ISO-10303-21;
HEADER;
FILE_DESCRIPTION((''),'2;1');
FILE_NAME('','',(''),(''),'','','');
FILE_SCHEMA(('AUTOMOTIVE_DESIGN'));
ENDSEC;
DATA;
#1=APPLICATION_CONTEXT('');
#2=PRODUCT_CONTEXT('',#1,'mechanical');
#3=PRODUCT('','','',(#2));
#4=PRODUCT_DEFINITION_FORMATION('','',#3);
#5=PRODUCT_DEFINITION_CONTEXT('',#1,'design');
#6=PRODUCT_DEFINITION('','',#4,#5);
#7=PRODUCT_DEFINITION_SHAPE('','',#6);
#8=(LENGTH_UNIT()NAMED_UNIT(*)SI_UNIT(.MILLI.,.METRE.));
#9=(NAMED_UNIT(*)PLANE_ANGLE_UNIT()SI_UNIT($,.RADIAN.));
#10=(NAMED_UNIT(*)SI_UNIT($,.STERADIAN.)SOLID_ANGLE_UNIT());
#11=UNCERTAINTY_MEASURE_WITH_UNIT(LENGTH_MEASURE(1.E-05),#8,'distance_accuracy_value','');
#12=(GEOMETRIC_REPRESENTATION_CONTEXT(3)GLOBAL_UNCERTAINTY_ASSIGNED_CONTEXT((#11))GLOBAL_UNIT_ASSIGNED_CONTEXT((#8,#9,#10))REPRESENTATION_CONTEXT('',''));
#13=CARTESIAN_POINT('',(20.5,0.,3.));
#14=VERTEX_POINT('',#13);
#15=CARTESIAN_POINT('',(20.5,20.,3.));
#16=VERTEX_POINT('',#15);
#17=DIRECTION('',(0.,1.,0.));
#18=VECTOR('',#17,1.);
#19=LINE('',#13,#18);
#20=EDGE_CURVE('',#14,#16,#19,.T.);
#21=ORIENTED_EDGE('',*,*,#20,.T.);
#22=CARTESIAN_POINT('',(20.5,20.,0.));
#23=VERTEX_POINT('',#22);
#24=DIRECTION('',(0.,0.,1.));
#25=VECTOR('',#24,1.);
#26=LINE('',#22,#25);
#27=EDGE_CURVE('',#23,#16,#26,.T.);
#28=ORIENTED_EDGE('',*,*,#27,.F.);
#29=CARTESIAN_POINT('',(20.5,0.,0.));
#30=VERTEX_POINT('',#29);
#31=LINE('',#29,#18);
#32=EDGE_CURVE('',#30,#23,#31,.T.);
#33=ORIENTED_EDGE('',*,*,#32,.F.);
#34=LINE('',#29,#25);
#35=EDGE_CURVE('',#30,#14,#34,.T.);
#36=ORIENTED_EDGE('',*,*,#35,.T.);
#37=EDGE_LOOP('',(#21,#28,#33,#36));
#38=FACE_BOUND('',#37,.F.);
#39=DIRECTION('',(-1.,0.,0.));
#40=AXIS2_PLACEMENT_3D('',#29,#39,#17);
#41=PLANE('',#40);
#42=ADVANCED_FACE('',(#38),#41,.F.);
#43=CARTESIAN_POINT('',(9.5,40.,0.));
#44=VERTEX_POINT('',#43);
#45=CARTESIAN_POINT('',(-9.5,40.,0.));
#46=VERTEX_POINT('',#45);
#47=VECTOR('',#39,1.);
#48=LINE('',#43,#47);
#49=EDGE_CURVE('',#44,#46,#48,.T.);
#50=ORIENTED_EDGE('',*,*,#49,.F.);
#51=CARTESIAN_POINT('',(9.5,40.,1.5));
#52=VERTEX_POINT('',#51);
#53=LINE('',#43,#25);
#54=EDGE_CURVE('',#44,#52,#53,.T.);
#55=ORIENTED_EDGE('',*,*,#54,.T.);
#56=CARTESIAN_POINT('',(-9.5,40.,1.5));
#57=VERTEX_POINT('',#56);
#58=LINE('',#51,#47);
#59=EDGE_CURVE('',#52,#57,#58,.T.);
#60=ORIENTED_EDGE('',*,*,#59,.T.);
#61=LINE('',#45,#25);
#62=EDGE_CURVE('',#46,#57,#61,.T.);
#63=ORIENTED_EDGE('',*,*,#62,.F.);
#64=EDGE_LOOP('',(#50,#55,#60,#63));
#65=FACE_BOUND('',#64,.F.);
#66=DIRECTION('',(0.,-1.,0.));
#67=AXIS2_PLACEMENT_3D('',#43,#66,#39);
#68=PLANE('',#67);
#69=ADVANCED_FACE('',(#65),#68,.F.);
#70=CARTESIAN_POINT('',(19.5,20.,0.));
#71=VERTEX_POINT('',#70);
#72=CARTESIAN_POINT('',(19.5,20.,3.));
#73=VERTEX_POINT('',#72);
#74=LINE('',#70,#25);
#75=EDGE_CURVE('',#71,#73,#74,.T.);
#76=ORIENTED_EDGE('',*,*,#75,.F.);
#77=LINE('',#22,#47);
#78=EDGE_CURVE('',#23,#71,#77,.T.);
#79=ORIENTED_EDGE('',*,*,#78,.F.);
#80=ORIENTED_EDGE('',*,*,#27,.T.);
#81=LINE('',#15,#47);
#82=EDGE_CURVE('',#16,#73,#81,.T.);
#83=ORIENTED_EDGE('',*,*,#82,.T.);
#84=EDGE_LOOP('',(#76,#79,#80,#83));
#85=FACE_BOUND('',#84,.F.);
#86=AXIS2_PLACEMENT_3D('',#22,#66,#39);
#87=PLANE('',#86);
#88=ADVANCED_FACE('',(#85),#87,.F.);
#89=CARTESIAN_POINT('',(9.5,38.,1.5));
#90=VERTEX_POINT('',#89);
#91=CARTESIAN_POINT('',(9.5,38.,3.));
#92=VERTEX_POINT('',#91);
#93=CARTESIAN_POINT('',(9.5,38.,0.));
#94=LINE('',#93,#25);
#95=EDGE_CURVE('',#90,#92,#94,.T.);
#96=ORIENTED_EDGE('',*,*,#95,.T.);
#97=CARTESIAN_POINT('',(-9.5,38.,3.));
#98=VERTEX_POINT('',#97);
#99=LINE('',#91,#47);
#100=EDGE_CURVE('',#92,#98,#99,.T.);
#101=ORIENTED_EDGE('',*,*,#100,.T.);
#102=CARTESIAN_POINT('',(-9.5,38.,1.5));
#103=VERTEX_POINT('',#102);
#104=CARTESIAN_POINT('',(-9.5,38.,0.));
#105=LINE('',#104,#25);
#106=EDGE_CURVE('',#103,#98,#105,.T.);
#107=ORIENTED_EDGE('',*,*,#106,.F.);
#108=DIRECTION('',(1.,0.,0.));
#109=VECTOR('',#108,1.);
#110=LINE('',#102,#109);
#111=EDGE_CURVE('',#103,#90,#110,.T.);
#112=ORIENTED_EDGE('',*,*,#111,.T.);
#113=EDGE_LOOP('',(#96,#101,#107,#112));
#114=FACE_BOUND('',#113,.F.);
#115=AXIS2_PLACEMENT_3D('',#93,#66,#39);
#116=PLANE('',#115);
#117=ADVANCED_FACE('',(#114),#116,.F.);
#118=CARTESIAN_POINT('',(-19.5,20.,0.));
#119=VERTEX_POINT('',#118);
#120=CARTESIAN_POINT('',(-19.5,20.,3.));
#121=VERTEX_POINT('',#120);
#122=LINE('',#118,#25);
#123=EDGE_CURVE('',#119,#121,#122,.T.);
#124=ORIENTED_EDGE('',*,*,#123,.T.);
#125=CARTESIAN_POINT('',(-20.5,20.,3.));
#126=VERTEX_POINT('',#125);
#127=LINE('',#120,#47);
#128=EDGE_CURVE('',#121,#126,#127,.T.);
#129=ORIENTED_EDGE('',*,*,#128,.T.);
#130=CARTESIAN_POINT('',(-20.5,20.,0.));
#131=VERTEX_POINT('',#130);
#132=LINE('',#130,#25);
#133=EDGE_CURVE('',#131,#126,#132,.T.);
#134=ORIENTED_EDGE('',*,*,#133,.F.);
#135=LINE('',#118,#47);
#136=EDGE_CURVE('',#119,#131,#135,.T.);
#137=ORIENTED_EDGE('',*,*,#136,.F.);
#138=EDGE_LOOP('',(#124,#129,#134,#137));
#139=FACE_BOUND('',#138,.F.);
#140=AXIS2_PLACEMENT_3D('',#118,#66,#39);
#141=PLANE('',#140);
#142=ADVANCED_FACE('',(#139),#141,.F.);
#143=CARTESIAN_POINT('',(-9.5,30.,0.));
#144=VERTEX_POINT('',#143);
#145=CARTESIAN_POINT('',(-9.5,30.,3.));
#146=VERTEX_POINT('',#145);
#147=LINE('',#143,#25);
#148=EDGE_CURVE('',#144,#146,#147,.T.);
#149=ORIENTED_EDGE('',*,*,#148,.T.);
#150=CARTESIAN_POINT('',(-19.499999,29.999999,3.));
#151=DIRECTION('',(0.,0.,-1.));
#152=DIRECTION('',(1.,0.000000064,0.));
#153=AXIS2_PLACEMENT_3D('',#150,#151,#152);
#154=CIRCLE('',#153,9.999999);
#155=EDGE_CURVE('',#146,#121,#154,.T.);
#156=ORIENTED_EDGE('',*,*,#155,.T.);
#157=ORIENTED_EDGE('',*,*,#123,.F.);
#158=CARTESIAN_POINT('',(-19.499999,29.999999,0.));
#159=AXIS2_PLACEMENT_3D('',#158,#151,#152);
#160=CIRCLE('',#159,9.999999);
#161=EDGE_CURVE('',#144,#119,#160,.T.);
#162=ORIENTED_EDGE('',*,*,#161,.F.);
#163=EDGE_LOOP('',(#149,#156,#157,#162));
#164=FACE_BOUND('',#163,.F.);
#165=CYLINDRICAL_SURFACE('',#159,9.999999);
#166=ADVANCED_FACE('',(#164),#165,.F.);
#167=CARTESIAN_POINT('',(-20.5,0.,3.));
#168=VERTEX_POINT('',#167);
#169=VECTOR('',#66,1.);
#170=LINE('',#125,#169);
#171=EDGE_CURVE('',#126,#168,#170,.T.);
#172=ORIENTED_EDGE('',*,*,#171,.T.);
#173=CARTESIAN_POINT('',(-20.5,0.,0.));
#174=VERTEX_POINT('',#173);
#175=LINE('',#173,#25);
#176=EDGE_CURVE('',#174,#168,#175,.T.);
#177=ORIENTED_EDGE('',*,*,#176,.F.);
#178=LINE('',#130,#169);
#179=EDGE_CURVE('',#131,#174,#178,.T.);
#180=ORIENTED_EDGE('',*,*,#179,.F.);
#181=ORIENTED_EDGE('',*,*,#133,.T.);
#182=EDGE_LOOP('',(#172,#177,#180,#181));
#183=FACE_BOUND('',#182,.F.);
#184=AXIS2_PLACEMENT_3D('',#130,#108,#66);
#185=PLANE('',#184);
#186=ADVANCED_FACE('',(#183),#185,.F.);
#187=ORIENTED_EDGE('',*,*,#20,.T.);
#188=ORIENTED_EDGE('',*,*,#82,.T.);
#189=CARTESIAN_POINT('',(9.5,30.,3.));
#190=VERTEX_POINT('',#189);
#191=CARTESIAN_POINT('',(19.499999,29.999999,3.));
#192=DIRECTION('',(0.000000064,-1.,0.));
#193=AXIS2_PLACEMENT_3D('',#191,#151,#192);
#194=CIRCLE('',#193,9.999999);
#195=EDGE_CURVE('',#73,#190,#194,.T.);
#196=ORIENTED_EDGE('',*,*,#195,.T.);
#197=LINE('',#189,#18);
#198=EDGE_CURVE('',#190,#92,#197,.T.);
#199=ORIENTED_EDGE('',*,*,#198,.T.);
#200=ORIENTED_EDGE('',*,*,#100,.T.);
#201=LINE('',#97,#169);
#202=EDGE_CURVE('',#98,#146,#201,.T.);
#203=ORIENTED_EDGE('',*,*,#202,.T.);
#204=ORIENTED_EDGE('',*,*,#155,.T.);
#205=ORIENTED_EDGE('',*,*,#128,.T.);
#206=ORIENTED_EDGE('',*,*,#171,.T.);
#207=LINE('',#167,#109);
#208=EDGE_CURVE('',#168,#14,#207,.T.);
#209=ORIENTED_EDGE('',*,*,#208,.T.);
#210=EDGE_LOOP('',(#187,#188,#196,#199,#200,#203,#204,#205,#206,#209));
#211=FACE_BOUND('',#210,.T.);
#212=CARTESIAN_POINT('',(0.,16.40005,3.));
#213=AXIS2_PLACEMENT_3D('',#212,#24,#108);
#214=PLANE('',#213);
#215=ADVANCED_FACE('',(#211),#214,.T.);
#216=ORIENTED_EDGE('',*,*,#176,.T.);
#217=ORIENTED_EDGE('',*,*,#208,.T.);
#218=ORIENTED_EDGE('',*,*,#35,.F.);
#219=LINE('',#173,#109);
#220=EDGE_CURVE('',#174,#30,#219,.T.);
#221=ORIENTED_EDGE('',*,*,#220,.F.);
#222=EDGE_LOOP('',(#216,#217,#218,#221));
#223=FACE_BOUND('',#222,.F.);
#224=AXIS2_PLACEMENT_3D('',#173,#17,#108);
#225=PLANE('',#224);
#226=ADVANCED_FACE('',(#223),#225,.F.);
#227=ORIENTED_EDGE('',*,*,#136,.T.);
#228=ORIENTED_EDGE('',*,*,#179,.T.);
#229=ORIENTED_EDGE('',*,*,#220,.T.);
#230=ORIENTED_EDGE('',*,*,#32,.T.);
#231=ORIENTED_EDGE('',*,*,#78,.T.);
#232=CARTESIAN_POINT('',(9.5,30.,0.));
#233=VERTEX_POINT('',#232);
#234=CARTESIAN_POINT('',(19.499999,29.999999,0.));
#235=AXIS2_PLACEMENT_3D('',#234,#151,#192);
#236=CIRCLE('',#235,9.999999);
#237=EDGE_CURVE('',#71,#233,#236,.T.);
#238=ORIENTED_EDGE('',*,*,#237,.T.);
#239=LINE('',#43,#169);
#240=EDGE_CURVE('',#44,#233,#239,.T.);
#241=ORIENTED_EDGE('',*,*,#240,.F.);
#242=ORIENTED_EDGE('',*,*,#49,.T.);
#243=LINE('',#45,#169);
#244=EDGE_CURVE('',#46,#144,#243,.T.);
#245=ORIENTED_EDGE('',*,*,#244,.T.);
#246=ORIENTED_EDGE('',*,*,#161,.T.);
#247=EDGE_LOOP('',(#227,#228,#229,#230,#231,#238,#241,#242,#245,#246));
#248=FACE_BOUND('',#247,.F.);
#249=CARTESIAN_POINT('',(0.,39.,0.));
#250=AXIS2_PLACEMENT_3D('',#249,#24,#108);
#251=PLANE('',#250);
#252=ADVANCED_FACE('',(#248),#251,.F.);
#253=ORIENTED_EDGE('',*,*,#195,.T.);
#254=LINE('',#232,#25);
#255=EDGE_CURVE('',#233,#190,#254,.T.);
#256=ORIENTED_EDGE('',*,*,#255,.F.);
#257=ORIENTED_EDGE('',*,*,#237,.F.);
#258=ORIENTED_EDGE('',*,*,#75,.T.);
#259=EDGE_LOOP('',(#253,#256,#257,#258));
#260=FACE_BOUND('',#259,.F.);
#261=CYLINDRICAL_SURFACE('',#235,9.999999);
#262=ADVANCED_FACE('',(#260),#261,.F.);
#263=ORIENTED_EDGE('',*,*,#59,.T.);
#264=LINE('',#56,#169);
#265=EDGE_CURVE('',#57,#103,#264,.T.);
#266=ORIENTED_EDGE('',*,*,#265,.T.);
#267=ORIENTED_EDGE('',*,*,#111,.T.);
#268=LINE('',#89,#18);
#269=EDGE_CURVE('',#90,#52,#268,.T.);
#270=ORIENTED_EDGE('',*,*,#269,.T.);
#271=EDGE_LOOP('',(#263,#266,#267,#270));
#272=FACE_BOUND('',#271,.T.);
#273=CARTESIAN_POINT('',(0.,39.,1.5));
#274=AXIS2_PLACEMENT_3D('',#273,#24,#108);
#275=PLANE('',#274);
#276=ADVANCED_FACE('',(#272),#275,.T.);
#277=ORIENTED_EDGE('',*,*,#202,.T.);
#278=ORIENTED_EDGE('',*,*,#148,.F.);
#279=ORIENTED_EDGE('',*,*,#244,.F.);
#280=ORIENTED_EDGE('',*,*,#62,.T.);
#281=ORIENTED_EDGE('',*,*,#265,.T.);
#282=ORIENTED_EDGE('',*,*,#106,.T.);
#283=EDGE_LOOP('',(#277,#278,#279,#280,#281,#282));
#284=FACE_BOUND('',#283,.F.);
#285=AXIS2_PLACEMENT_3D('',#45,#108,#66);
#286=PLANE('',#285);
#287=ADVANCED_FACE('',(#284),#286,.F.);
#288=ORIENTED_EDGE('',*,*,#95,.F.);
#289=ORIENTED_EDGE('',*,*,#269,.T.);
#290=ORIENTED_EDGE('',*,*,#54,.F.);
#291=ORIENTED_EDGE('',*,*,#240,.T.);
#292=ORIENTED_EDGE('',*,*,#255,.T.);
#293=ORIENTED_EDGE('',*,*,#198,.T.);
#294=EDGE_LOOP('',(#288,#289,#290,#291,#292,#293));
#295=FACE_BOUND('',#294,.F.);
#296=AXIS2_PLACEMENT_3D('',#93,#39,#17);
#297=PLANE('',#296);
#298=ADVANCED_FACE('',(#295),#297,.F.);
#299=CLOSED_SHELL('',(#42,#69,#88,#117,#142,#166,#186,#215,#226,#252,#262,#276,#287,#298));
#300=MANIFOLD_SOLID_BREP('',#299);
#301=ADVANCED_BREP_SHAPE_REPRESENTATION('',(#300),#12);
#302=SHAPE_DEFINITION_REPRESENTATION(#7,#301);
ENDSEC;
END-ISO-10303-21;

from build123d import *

# Parameters (mm, degrees)
F1_DEPTH = 3
F2_DEPTH = 1.5


with BuildPart() as f1:
    # F0 (on Top) → F1 (new body)
    with BuildSketch(Plane.XY):
        with BuildLine():
            Line((-20.5, 0), (0, 0))
            Line((0, 0), (20.5, 0))
            Line((20.5, 0), (20.5, 20))
            Line((20.5, 20), (19.5, 20))
            ThreePointArc((19.5, 20), (12.428932, 22.928932), (9.5, 30))
            Line((9.5, 30), (9.5, 38))
            Line((9.5, 38), (-9.5, 38))
            Line((-9.5, 38), (-9.5, 30))
            ThreePointArc((-9.5, 30), (-12.428932, 22.928932), (-19.5, 20))
            Line((-19.5, 20), (-20.5, 20))
            Line((-20.5, 20), (-20.5, 0))
        make_face()
    extrude(amount=F1_DEPTH)

    # F0 (on Top) → F2 (join)
    with BuildSketch(Plane.XY):
        Polygon((-9.5, 40), (-9.5, 38), (9.5, 38), (9.5, 40), (0, 40), align=None)
    extrude(amount=F2_DEPTH)


solid = f1.part
